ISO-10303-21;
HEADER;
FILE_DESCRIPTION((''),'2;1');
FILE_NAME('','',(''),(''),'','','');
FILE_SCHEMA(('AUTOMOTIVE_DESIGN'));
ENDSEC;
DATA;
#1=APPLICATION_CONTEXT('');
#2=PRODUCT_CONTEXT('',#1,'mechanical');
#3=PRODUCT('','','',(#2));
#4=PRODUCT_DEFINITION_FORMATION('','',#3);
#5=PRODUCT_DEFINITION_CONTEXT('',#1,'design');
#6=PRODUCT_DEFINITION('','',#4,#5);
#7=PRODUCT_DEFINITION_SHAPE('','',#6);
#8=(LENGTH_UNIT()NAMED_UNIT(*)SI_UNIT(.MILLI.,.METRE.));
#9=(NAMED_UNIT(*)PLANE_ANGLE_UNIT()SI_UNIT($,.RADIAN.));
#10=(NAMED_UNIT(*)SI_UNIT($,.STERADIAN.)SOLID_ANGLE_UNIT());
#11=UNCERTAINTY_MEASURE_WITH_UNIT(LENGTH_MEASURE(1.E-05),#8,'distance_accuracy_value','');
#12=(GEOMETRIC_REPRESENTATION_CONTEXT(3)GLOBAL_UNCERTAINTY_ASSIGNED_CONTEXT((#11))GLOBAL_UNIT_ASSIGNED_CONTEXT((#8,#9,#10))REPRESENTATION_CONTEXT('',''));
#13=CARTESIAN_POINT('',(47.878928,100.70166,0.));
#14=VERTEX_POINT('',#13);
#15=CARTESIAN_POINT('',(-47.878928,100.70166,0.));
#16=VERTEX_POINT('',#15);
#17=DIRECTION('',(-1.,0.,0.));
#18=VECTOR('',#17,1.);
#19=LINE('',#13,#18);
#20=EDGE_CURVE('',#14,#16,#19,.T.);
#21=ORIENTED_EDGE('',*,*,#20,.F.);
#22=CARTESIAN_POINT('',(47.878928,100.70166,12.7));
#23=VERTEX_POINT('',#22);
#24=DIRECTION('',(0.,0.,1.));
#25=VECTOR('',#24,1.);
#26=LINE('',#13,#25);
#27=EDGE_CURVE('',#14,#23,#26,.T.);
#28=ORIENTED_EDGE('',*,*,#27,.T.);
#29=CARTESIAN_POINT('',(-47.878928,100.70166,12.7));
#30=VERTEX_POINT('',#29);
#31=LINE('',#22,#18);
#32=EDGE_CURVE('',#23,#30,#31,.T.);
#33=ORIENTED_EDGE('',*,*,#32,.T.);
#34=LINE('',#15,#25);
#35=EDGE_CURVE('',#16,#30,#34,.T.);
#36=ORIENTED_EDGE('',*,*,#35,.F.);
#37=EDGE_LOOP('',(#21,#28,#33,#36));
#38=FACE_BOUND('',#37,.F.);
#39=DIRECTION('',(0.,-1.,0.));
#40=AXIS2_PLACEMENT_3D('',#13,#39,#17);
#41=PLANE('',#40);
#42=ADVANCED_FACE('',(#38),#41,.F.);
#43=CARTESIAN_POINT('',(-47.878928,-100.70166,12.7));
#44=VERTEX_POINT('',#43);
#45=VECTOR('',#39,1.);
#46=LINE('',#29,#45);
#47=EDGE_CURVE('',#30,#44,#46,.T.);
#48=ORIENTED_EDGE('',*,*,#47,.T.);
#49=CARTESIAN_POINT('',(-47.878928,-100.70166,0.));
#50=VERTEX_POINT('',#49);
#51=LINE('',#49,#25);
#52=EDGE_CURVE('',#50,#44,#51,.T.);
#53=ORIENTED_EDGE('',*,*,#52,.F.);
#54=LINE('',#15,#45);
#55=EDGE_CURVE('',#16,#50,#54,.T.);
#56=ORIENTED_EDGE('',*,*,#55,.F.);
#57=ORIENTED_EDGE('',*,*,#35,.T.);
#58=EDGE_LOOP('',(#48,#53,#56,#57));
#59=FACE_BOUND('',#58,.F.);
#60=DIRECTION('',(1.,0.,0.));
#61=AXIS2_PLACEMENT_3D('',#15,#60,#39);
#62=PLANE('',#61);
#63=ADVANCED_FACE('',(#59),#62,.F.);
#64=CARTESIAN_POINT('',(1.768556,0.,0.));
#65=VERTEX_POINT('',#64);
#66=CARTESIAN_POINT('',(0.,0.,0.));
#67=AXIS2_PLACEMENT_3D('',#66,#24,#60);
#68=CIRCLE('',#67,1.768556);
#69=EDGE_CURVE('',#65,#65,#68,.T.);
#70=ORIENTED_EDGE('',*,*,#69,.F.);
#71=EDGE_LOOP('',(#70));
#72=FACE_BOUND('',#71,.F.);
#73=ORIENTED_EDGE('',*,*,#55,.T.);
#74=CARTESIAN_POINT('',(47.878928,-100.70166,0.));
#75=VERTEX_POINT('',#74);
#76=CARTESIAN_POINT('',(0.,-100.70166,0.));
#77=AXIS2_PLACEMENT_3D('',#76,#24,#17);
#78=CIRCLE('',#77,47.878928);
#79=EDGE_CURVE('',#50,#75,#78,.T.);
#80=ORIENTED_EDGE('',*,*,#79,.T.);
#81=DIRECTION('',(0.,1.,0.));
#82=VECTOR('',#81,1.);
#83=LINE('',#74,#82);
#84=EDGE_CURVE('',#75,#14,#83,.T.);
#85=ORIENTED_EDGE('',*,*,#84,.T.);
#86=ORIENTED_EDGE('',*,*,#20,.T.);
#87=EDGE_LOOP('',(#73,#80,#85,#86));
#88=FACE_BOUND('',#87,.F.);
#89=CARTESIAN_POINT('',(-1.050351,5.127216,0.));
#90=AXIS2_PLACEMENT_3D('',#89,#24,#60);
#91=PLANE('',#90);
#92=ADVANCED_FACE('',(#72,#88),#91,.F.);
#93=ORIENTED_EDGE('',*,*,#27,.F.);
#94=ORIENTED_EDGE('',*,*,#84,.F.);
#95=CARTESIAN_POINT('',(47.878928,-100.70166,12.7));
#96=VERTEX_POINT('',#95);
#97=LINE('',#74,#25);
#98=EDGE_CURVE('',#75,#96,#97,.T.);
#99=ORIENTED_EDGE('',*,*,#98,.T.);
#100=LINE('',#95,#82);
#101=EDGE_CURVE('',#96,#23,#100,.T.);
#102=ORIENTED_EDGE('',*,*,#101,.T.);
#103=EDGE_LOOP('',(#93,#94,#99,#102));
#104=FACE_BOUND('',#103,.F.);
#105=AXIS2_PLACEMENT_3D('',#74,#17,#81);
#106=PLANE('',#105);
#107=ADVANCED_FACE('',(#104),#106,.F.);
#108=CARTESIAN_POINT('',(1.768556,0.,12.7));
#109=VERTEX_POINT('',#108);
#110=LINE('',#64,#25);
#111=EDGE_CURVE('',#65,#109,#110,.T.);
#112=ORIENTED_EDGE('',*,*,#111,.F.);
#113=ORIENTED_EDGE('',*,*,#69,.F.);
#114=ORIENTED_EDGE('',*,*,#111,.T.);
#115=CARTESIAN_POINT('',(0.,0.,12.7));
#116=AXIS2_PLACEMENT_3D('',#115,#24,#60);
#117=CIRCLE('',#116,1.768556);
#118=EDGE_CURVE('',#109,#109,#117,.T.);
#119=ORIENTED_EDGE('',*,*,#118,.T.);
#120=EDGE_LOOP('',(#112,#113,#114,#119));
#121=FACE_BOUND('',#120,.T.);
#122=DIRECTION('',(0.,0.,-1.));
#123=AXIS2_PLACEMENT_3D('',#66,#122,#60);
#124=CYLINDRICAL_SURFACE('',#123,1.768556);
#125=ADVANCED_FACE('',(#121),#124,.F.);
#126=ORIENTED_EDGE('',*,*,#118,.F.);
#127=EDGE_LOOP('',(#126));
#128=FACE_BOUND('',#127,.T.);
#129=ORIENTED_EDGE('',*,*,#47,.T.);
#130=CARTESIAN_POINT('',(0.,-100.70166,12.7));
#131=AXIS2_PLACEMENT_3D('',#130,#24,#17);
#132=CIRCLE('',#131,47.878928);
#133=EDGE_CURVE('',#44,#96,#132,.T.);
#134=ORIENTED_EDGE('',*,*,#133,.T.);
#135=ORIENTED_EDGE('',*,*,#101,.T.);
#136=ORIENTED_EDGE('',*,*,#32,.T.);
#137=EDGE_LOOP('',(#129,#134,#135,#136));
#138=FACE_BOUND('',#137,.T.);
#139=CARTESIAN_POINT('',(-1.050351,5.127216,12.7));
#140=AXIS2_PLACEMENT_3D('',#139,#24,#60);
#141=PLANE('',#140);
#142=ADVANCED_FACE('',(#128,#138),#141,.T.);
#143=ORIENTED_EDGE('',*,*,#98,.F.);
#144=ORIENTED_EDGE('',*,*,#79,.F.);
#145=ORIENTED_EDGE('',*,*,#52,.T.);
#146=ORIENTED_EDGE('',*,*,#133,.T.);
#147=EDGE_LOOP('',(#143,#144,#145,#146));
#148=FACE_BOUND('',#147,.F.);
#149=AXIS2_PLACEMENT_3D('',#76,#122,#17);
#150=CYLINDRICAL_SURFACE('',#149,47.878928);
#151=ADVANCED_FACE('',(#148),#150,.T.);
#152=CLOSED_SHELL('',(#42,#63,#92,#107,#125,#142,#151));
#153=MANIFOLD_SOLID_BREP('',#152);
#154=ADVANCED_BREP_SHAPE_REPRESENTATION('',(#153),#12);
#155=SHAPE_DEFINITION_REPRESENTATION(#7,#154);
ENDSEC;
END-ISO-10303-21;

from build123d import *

# Parameters (mm, degrees)
F0_R     = 1.7685558776
F0_W     = 47.8789284825
F0_H     = 32.7401943505
F1_DEPTH = 12.7


with BuildPart() as f1:
    # F0 (on Top) → F1 (new body)
    with BuildSketch(Plane.XY):
        Polygon((47.8789284825, 100.7016599178), (-47.8789284825, 100.7016599178), (-47.8789284825, 53.3194467425), (0, 53.3194467425), (0, 20.5792523921), (-47.8789284825, 20.5792523921), (-47.8789284825, -100.7016599178), (47.8789284825, -100.7016599178), align=None)
        Circle(F0_R, mode=Mode.SUBTRACT)
        with Locations((-23.9394642413, 36.9493495673)):
            Rectangle(F0_W, F0_H)
        with BuildLine():
            ThreePointArc((-47.8789284825, -100.7016599178), (0, -148.5805884004), (47.8789284825, -100.7016599178))
            Line((47.8789284825, -100.7016599178), (-47.8789284825, -100.7016599178))
        make_face()
    extrude(amount=F1_DEPTH)


solid = f1.part
